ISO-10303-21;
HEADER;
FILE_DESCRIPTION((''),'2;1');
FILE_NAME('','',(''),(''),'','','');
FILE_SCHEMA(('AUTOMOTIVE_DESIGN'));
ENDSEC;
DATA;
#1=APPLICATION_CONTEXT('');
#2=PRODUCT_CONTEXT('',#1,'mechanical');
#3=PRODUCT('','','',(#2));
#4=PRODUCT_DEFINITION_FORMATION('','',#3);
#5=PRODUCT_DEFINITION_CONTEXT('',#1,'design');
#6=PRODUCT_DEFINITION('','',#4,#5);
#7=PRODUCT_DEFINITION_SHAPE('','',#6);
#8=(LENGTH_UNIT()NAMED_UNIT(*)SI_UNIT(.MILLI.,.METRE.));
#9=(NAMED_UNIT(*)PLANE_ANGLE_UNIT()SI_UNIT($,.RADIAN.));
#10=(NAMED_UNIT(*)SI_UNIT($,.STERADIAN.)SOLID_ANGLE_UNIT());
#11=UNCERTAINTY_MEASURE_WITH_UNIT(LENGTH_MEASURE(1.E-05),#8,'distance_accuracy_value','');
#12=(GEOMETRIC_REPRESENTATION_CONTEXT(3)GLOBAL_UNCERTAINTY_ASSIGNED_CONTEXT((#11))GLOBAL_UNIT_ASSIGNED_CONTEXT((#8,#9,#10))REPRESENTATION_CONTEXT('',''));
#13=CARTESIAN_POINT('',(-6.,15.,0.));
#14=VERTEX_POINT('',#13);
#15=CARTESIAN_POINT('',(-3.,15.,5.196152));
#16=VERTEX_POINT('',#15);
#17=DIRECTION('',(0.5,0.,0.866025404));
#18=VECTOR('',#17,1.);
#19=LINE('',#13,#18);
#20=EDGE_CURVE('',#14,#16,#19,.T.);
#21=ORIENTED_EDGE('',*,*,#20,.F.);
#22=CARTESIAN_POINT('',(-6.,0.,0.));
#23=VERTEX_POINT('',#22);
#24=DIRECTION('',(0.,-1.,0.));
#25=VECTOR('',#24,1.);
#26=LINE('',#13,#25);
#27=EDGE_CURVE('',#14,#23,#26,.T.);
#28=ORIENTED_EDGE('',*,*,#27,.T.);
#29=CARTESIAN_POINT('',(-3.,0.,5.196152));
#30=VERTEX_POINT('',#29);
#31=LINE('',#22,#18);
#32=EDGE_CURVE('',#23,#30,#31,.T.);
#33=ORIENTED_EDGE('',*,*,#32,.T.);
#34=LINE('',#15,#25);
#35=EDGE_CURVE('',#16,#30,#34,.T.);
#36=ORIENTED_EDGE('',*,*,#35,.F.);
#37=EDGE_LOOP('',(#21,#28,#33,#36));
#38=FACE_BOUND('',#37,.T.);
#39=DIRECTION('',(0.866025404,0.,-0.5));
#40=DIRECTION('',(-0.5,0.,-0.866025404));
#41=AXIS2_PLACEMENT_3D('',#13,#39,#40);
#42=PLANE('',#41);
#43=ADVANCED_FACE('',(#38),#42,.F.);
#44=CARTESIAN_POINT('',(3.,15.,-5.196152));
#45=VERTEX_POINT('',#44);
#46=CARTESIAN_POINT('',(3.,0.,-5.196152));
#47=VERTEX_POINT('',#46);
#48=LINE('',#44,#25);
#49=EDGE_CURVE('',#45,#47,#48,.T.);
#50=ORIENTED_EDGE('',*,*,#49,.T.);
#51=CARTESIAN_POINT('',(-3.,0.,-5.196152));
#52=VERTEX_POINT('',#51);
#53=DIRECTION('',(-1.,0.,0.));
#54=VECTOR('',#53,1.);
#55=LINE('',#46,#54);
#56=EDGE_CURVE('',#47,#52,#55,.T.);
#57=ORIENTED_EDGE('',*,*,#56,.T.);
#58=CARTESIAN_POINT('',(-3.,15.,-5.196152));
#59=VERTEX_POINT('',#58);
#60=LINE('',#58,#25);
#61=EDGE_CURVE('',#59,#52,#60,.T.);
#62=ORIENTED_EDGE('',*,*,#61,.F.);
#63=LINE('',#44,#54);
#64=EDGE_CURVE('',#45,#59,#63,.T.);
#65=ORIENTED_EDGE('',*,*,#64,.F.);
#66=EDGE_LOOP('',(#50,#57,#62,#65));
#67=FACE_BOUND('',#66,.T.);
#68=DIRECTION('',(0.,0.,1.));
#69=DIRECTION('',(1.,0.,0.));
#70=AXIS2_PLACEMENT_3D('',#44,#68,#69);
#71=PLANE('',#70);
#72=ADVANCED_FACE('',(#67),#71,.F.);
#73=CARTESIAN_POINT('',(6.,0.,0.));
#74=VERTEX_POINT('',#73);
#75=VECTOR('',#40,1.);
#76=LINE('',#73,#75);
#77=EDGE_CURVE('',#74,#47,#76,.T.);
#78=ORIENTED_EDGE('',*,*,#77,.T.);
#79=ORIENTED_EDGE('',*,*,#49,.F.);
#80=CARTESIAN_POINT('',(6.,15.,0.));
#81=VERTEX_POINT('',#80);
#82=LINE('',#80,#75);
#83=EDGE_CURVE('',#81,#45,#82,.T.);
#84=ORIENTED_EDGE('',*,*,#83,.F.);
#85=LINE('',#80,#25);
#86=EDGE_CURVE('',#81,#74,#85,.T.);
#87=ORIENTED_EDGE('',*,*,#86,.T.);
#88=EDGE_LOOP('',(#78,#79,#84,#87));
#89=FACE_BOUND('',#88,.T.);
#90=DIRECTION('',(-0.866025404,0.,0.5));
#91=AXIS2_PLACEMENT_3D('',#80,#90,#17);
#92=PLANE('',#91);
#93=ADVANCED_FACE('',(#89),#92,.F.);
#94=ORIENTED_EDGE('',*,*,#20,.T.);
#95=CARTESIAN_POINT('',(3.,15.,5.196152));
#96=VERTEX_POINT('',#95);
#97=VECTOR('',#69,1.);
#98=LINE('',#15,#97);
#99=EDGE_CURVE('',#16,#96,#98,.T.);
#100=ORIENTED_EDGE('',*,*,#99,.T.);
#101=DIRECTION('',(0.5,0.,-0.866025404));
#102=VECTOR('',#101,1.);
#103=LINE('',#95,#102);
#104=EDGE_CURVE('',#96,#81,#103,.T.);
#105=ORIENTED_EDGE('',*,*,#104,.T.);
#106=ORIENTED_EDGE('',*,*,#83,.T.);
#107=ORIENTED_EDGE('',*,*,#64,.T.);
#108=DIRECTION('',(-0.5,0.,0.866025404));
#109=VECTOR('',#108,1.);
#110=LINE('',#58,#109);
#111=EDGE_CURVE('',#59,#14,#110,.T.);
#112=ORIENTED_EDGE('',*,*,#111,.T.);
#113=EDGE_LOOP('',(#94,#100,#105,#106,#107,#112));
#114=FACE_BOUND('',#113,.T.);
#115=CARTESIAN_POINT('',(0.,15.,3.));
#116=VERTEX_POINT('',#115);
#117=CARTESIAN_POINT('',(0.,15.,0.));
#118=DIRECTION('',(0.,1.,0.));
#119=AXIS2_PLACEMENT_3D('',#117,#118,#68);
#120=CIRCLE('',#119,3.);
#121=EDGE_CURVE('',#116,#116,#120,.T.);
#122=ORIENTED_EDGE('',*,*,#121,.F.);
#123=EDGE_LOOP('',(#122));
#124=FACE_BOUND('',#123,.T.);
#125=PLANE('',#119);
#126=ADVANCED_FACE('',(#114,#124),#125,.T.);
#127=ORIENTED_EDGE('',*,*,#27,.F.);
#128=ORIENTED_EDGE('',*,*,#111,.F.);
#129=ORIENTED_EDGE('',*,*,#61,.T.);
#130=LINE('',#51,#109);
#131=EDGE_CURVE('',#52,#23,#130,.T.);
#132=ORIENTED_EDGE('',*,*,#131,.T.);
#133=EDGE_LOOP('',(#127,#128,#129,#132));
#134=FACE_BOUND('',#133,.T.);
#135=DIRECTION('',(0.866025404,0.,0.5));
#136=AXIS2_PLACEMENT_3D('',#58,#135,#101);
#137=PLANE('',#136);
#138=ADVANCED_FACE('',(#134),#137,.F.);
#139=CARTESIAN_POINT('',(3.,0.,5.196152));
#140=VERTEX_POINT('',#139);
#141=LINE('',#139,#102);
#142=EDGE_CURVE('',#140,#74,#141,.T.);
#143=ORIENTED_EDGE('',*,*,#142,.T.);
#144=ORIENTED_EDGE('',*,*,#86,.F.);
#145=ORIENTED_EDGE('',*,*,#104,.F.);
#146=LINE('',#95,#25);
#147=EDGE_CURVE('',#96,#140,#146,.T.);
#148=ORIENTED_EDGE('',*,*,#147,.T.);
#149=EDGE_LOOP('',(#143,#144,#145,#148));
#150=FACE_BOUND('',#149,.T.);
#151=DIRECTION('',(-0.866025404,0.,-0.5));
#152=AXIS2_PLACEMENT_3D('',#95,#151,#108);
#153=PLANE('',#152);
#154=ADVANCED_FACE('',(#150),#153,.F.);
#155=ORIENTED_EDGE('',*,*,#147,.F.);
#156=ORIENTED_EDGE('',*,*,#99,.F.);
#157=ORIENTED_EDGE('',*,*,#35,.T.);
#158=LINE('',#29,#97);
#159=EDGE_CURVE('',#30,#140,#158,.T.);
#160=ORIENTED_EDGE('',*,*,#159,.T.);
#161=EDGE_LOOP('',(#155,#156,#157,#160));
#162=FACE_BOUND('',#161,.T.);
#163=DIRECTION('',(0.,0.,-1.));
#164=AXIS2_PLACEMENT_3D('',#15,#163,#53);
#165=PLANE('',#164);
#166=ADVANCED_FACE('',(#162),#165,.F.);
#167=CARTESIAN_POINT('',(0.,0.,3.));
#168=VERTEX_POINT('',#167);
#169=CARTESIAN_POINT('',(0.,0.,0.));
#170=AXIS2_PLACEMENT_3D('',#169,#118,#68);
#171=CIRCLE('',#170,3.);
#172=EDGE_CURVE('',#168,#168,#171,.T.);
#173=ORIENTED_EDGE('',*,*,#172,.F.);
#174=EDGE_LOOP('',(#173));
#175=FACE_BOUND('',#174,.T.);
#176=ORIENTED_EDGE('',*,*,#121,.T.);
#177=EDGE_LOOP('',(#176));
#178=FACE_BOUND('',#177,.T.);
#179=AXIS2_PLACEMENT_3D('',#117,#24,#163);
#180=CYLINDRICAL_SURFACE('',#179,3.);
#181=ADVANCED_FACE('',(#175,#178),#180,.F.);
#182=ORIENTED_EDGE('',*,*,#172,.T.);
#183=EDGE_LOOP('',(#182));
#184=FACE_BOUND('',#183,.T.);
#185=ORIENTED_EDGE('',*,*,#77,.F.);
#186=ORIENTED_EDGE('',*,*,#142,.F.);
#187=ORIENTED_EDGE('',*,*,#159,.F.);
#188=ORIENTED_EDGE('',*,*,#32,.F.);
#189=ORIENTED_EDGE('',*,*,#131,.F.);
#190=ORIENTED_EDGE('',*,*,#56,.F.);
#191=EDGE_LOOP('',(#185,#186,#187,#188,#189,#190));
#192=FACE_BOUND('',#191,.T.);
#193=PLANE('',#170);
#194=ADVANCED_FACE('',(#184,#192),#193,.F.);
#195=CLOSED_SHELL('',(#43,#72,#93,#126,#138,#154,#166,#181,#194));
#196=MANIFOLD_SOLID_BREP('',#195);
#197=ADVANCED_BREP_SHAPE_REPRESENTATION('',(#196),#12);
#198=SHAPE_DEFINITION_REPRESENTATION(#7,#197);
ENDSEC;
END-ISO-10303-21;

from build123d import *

# Parameters (mm, degrees)
SKETCH_1_R      = 3
EXTRUDE_1_DEPTH = 15


with BuildPart() as part:
    # 草图1 → 凸台-拉伸1 (new body)
    with BuildSketch(Plane(origin=(0, 0, 0), x_dir=(1, 0, 0), z_dir=(0, 1, 0))):
        Polygon((-6, 0), (-3, -5.196152423), (3, -5.196152423), (6, 0), (3, 5.196152423), (-3, 5.196152423), align=None)
        with Locations(Location((0, 0, 0), (0, 0, 270))):
            Circle(SKETCH_1_R, mode=Mode.SUBTRACT)
    extrude(amount=EXTRUDE_1_DEPTH)


solid = part.part
